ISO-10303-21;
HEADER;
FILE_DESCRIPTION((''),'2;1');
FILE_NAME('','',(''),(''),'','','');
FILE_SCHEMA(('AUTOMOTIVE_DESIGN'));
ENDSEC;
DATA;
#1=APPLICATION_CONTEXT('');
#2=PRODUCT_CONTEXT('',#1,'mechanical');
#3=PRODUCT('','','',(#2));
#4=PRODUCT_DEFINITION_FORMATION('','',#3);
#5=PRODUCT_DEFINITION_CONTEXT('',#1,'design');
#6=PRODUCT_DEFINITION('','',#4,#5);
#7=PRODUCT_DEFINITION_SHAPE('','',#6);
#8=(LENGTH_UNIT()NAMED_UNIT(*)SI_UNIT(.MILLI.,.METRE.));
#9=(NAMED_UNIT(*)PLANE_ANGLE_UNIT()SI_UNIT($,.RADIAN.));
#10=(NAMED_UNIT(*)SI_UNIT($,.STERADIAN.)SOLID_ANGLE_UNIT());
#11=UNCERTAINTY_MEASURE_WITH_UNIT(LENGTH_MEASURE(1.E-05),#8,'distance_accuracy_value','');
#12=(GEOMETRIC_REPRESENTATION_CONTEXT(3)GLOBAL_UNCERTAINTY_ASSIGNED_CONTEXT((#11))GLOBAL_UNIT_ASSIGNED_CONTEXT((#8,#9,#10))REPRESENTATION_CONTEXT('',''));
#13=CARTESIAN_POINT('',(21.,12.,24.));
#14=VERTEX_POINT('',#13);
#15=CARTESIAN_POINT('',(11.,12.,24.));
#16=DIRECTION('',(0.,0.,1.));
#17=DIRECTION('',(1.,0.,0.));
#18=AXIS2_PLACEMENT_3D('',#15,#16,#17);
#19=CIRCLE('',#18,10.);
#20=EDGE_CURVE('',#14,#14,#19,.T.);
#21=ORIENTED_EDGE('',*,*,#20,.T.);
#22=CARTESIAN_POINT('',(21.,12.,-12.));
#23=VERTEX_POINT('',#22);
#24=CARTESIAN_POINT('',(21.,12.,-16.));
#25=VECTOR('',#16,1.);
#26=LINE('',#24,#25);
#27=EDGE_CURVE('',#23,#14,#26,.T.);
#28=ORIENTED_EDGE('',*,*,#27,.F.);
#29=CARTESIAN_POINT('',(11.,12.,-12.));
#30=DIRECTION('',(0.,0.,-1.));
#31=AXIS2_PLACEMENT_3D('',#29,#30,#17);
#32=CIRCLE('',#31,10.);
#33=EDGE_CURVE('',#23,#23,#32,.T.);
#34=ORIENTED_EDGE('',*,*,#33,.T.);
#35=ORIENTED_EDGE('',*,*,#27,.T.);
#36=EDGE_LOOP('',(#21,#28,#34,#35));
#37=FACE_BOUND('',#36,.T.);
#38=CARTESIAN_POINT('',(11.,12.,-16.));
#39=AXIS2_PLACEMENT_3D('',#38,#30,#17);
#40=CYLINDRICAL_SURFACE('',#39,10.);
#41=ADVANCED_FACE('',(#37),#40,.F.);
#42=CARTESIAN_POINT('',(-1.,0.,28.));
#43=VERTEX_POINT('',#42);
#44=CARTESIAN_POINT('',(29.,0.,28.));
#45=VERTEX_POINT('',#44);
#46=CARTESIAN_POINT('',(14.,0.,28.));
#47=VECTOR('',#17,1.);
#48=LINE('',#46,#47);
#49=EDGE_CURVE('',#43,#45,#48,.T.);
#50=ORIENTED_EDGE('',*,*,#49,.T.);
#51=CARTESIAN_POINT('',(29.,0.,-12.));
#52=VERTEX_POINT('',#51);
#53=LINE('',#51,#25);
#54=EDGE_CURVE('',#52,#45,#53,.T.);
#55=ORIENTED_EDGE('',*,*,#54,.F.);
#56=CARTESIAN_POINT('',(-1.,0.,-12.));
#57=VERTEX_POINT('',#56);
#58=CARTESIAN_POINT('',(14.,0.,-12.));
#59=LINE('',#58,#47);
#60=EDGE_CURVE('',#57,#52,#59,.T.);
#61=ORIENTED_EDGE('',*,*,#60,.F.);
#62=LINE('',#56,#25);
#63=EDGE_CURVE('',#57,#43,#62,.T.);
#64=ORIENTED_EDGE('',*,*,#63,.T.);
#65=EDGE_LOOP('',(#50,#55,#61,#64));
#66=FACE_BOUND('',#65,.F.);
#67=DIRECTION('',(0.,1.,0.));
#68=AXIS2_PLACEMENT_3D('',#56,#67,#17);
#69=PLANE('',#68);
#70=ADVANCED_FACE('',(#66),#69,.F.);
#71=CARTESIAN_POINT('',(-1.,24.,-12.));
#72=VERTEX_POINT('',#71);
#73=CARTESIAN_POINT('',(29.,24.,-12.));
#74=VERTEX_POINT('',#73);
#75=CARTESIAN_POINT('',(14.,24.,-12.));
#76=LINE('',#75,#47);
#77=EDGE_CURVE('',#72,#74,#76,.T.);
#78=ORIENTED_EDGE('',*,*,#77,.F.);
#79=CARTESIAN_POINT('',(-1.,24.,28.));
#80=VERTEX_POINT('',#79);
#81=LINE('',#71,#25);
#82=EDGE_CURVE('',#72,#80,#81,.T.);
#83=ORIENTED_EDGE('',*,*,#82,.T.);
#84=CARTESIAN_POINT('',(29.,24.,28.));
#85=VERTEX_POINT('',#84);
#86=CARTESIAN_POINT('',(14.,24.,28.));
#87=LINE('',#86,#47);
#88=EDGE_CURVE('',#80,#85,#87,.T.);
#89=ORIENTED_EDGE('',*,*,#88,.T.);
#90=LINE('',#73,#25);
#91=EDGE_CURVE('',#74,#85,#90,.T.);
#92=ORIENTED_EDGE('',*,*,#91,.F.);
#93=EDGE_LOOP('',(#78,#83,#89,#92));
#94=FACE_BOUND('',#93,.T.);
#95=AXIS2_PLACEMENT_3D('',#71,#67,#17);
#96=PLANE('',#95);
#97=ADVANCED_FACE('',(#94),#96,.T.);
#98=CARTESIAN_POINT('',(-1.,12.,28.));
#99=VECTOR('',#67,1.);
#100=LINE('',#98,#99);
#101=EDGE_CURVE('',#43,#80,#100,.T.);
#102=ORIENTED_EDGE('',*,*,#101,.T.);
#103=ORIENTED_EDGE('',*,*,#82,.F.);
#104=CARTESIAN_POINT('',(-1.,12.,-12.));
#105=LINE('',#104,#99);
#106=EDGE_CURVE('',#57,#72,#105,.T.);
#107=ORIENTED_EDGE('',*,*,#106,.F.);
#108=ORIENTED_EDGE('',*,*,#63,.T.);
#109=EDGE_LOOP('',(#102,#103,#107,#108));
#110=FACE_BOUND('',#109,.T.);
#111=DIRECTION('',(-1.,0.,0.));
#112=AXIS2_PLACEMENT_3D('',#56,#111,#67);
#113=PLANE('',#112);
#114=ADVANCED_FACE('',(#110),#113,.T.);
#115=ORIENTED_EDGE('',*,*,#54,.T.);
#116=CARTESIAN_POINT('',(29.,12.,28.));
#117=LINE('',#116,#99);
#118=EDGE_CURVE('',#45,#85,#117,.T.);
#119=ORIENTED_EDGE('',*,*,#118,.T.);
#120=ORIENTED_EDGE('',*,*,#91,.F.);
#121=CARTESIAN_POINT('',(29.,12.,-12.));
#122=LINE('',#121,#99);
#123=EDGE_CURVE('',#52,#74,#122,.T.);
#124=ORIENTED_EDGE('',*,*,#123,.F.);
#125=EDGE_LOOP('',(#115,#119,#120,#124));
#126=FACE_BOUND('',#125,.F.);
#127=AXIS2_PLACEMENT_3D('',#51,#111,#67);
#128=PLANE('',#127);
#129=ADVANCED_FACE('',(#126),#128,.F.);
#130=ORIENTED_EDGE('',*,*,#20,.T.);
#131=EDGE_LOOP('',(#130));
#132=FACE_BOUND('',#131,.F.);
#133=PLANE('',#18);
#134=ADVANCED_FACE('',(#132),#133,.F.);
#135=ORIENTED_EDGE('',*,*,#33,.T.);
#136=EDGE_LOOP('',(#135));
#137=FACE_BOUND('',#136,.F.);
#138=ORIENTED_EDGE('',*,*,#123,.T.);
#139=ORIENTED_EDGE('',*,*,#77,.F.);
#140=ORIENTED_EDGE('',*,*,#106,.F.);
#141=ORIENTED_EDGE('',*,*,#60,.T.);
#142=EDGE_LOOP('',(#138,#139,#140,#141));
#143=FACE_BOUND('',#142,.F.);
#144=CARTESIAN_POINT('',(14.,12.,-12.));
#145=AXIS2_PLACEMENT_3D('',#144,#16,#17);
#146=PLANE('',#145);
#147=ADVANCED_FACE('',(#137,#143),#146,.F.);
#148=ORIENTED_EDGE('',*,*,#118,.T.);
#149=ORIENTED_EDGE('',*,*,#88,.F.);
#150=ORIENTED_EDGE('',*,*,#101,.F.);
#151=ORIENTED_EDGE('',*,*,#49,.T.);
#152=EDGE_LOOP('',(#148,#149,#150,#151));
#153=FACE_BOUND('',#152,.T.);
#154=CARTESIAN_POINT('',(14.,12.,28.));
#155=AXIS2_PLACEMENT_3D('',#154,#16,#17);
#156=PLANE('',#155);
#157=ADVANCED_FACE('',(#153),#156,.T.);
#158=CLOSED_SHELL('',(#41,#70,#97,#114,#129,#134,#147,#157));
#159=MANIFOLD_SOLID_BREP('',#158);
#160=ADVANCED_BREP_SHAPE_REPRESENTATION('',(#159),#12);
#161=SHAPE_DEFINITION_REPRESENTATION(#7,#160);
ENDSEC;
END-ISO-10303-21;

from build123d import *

# Parameters (mm, degrees)
CYLINDER_R     = 10
CYLINDER_DEPTH = 40
BOX_W          = 30
BOX_H          = 24
BOX_DEPTH      = 40


with BuildPart() as cilindro:
    # Cylinder → Cylinder (new body)
    with BuildSketch(Plane(origin=(11, 12, -16), x_dir=(1, 0, 0), z_dir=(0, 0, 1))):
        Circle(CYLINDER_R)
    extrude(amount=CYLINDER_DEPTH)


with BuildPart() as cut:
    # Box → Box (new body)
    with BuildSketch(Plane(origin=(-1, 0, -12), x_dir=(1, 0, 0), z_dir=(0, 0, 1))):
        with Locations((15, 12)):
            Rectangle(BOX_W, BOX_H)
    extrude(amount=BOX_DEPTH)

    # Cut: cut Cilindro
    add(cilindro.part, mode=Mode.SUBTRACT)


solid = cut.part
